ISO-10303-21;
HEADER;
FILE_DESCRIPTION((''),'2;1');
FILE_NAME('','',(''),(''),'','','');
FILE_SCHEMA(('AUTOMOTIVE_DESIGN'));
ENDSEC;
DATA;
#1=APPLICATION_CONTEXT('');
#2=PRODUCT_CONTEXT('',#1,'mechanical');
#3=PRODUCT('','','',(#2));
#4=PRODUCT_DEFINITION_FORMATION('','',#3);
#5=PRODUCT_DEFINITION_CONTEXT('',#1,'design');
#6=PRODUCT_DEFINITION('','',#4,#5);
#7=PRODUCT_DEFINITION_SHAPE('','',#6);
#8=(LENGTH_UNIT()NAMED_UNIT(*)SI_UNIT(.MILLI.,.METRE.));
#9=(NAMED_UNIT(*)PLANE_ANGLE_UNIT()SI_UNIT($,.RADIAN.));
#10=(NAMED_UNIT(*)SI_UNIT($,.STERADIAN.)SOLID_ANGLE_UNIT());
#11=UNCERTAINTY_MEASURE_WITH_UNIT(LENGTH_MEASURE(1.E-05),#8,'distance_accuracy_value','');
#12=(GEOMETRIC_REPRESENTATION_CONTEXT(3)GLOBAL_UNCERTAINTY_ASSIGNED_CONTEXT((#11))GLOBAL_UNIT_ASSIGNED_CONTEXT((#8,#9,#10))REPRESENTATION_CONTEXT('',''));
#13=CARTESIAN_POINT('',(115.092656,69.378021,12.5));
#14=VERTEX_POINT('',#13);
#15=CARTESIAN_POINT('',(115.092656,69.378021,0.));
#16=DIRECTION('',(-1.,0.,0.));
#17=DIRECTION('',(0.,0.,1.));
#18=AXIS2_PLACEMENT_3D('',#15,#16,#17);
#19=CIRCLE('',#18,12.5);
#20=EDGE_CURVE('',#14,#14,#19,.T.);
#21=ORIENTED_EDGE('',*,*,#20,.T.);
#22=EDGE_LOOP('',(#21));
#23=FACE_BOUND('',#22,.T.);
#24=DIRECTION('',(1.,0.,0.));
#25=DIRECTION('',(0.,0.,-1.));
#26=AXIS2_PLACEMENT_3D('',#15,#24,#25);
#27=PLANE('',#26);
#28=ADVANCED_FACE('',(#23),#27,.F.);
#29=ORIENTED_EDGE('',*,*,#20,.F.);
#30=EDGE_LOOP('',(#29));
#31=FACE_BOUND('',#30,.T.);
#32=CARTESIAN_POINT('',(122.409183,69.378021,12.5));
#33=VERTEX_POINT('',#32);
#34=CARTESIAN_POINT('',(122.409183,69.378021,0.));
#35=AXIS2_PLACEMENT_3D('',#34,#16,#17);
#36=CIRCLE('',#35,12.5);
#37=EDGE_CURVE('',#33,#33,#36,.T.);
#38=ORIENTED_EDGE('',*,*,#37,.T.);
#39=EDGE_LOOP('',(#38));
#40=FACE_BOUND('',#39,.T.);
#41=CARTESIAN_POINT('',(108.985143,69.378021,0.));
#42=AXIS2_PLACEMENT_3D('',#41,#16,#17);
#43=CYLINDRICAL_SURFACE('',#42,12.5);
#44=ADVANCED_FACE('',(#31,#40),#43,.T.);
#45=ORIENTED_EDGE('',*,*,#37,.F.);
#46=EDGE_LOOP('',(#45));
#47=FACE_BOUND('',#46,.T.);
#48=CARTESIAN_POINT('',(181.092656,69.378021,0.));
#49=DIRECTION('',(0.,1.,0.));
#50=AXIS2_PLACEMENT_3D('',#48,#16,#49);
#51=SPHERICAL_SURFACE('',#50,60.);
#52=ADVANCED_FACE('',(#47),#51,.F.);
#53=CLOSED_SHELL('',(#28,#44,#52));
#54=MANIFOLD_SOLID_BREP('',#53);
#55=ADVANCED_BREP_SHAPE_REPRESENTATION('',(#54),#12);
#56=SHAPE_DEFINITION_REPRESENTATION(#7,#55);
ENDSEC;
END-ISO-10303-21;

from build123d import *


with BuildPart() as part:
    # 草图1 → 旋转1 (revolve)
    with BuildSketch(Plane.XY):
        with BuildLine():
            Line((115.092655535, 69.378021123), (115.092655535, 81.878021123))
            Line((115.092655535, 81.878021123), (122.409182578, 81.878021123))
            ThreePointArc((122.409182578, 81.878021123), (121.422695024, 75.662590389), (121.09265555, 69.378021123))
            Line((121.09265555, 69.378021123), (115.092655535, 69.378021123))
        make_face()
    revolve(axis=Axis((108.985143002, 69.378021123, 0), (1, 0, 0)))


solid = part.part
